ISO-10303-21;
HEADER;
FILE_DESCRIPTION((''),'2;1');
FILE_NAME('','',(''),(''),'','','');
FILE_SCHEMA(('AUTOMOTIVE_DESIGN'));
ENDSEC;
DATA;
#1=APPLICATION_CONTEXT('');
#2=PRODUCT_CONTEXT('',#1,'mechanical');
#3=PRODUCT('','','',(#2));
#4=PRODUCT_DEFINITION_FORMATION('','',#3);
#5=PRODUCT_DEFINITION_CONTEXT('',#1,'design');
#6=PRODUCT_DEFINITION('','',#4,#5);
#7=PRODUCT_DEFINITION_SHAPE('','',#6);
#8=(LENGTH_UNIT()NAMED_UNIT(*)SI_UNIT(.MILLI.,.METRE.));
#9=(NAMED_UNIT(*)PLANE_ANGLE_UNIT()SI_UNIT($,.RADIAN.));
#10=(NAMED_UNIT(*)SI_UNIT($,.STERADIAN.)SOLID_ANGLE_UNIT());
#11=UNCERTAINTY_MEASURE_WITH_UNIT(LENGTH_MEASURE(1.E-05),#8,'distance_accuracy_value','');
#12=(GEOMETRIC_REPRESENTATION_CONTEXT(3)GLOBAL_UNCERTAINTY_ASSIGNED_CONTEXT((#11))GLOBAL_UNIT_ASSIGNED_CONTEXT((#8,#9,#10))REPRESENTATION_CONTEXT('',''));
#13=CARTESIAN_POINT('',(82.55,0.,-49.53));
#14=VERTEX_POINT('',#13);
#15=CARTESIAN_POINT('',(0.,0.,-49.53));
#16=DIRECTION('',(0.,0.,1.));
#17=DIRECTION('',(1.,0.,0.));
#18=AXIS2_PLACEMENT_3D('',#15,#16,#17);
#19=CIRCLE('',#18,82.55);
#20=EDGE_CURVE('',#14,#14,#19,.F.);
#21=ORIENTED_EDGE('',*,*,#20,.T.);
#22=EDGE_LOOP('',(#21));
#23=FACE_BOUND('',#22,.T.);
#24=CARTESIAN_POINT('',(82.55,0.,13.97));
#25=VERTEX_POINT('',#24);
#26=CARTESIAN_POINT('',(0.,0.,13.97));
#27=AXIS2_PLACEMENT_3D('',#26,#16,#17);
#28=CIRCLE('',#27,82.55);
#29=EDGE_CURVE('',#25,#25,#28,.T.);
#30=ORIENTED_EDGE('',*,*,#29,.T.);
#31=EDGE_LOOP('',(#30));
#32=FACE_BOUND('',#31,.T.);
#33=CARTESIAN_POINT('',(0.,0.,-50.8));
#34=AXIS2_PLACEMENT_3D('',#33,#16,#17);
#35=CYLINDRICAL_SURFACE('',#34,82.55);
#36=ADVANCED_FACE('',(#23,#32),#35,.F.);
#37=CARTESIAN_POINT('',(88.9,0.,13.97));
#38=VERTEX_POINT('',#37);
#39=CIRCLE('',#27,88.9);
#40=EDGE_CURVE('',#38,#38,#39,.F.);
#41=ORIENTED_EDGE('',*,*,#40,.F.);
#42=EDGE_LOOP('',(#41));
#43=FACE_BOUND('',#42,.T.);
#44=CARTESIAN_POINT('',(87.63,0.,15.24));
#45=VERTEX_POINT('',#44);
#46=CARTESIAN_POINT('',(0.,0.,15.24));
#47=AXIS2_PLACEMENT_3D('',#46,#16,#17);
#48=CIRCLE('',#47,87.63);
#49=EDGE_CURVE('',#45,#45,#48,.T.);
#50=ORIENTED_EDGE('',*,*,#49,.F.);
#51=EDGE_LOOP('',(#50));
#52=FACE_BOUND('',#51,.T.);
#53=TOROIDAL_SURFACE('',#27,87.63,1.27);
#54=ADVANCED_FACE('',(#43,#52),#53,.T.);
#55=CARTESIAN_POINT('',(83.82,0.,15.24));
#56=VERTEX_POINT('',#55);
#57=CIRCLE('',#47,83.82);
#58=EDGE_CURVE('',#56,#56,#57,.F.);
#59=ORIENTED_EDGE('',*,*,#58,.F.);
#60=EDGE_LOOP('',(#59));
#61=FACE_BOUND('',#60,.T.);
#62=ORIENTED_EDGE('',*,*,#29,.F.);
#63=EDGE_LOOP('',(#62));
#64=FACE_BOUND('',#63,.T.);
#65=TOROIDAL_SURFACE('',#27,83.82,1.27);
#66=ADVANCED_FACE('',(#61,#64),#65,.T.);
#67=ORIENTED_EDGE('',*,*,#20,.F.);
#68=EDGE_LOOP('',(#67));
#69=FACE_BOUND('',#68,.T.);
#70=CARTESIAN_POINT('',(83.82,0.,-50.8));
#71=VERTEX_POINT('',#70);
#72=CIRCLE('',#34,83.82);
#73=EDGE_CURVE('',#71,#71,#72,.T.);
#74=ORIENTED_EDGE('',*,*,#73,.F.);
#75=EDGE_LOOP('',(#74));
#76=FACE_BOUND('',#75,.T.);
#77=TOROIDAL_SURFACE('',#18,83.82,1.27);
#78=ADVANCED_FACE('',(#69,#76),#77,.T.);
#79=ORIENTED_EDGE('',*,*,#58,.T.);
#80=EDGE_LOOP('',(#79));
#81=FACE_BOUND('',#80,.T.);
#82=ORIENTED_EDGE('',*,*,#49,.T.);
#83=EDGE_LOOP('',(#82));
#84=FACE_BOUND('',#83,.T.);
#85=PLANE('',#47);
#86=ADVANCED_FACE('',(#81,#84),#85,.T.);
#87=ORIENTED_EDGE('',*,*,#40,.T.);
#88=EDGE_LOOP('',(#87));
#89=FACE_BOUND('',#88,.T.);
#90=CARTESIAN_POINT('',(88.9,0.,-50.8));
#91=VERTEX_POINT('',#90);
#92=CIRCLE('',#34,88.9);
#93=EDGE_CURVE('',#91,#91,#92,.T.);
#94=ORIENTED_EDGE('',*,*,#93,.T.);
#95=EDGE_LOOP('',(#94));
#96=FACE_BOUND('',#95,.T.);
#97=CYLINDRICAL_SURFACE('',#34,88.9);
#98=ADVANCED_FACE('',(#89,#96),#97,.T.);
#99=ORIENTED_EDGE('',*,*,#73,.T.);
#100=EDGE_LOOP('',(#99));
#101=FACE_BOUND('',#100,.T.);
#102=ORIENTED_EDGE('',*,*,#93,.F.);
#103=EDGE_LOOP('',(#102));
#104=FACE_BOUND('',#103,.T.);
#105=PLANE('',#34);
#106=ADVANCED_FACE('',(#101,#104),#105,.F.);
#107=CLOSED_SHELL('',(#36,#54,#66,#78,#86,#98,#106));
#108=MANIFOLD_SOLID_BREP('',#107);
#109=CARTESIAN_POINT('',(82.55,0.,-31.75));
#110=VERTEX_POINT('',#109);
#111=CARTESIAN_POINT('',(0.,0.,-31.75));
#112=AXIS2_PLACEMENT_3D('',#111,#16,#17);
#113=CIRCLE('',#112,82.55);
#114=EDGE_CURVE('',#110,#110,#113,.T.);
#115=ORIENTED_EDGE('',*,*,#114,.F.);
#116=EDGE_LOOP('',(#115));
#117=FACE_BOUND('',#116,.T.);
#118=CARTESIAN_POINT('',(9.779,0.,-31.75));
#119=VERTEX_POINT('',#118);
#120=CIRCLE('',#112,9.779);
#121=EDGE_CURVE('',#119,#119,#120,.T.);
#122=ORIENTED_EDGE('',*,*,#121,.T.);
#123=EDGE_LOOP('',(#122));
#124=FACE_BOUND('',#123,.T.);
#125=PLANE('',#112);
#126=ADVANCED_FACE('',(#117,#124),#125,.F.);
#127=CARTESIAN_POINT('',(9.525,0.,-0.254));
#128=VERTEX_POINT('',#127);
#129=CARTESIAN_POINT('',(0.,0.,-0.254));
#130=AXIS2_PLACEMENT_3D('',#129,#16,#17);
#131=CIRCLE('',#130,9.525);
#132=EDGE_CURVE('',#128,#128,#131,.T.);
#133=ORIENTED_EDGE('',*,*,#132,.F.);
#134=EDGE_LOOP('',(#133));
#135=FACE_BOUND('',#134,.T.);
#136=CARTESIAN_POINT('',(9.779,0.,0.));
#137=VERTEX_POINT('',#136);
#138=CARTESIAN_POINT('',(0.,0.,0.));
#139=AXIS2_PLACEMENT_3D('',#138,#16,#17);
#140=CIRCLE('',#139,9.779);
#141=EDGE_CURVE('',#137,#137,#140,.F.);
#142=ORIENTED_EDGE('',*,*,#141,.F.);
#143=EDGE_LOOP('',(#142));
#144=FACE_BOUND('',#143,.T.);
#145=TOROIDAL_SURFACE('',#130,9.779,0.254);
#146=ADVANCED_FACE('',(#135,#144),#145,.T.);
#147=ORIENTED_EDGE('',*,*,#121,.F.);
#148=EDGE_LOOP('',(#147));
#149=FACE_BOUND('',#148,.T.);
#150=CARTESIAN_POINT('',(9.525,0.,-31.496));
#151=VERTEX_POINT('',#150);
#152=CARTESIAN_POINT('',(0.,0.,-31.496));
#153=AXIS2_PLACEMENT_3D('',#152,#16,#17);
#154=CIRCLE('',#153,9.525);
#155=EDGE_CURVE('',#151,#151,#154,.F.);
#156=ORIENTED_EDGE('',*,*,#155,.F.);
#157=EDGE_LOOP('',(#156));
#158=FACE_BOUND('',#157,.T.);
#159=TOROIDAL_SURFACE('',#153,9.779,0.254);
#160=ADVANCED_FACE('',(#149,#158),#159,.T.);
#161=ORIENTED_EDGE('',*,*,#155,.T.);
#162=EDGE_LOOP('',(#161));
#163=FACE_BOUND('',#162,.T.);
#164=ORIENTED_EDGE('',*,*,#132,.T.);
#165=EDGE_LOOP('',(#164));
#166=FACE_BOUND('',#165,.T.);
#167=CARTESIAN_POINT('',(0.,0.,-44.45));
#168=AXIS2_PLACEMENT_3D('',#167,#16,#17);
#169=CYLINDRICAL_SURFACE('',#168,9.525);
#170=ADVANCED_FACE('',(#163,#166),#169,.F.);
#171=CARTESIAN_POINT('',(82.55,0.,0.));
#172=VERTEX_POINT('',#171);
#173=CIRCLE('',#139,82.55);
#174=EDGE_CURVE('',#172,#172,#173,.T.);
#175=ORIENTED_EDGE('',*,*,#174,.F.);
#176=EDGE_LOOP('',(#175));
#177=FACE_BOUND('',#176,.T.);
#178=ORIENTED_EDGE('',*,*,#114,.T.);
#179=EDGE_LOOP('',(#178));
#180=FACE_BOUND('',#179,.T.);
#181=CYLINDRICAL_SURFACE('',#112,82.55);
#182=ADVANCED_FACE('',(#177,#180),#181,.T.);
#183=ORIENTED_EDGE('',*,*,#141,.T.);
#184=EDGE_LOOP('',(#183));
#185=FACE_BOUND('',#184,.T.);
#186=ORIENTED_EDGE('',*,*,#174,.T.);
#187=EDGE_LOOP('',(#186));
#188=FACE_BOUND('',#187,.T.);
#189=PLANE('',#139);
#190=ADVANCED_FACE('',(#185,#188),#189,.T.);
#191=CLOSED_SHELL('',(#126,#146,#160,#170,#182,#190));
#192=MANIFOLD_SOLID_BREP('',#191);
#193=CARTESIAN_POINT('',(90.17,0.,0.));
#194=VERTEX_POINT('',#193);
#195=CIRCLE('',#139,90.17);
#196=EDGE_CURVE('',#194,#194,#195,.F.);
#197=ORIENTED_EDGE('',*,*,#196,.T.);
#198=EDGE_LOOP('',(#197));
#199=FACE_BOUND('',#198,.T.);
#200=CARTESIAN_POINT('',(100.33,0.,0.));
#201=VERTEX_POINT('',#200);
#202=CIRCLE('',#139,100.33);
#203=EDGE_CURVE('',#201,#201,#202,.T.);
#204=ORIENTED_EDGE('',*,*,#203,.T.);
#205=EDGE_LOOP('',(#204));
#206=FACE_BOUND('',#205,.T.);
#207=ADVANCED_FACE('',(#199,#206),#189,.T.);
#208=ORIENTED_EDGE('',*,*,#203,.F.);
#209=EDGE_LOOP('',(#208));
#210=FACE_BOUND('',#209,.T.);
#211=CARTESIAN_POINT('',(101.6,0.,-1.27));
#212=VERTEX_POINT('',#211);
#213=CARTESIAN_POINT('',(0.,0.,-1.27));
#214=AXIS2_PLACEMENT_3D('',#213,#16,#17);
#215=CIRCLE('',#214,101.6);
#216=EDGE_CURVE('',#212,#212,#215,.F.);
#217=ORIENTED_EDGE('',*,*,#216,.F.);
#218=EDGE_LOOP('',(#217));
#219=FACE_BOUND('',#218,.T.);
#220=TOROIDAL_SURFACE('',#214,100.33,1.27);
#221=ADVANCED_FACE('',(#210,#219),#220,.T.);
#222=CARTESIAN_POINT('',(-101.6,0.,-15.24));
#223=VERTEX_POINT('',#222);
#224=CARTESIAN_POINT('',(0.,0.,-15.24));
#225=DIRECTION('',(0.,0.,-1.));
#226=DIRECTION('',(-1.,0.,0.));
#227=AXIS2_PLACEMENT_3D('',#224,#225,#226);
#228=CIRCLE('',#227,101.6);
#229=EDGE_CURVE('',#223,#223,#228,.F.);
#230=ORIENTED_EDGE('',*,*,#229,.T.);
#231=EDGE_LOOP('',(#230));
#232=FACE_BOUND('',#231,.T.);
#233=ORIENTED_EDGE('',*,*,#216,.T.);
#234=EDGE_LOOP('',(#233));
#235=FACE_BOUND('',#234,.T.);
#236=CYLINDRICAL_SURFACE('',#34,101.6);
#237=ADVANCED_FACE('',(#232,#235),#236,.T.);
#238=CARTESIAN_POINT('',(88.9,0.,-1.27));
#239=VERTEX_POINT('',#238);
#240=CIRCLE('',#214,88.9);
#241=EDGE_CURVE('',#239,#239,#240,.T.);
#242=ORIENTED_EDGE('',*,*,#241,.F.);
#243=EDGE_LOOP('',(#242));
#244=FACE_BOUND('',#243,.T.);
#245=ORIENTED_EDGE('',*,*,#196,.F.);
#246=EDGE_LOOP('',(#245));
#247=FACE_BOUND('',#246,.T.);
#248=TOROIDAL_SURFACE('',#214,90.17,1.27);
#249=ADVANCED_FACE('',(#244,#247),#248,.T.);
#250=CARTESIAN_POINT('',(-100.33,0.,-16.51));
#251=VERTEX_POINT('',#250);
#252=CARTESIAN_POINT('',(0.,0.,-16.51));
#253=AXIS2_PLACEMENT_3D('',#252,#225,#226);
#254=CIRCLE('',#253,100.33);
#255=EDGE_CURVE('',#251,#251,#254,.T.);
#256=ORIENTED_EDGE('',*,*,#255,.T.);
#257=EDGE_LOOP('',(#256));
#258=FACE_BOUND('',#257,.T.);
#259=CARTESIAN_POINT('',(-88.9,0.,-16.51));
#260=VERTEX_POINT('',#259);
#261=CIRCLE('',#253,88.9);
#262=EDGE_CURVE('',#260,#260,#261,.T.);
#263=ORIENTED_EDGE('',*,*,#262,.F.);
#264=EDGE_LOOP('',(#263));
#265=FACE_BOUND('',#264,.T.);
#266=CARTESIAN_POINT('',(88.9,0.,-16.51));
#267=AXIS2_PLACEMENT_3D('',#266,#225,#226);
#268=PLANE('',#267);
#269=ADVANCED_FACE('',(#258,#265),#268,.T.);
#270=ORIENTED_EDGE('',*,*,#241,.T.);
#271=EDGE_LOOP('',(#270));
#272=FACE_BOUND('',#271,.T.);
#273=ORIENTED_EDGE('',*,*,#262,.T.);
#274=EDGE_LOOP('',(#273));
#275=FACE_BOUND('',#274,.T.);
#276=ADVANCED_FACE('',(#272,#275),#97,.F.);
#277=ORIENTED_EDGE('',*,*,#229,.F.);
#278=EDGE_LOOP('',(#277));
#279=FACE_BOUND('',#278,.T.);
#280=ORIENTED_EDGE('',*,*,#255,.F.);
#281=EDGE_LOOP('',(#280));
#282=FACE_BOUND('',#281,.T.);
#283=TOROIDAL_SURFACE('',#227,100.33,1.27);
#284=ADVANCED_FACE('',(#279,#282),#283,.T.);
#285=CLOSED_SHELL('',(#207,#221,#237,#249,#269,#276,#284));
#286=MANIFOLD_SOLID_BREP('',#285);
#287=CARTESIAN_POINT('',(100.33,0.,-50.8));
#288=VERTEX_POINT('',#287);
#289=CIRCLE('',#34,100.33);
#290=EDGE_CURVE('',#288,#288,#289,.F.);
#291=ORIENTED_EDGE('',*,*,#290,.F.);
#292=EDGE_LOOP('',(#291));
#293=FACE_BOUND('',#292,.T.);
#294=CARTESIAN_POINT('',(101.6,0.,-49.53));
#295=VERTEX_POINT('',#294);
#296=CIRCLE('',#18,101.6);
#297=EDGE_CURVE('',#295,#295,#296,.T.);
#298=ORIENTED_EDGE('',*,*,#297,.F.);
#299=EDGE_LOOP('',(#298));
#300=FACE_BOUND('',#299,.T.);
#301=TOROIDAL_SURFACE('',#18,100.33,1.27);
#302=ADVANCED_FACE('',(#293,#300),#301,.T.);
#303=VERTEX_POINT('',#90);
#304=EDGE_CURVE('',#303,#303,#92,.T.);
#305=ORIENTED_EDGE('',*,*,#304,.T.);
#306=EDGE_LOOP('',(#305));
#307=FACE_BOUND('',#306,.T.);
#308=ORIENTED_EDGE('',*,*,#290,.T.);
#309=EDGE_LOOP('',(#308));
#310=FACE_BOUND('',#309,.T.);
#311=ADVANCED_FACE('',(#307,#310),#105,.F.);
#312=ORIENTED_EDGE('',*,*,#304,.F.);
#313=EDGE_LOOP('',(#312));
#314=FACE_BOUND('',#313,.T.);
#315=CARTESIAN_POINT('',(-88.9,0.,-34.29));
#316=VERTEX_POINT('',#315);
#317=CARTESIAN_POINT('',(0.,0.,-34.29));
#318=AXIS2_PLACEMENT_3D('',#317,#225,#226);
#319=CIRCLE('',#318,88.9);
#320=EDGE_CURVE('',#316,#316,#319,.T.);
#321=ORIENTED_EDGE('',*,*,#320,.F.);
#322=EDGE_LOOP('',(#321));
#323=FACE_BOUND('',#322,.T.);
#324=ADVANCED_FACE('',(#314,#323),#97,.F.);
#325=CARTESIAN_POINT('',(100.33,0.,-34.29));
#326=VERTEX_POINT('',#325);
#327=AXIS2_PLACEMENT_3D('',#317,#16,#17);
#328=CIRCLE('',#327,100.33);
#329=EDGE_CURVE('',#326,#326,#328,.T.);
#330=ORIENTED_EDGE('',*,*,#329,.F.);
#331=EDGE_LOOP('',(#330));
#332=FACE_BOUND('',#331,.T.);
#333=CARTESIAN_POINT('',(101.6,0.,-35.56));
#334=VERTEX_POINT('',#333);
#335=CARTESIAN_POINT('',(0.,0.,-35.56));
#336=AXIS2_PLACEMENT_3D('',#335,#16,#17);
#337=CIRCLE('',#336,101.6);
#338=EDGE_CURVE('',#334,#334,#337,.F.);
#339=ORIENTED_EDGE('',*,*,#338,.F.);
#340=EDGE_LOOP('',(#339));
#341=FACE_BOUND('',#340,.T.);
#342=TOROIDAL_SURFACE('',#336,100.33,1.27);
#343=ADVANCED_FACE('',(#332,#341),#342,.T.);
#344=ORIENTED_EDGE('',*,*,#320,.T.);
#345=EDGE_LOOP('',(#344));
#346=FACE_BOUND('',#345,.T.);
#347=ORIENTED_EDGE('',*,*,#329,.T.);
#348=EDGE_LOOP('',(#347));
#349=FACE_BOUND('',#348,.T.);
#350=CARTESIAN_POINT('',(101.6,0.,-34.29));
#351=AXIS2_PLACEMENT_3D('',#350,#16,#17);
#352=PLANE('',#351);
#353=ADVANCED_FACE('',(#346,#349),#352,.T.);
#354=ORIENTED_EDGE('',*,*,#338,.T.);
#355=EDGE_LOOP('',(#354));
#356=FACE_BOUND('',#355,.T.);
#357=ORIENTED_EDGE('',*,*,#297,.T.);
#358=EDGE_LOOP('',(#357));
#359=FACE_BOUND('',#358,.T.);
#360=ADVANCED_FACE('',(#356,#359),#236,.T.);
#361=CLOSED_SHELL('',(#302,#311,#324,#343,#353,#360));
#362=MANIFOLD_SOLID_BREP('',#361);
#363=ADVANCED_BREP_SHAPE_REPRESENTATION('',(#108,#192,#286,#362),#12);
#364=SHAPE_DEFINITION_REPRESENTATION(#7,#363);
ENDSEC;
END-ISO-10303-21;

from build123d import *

# Parameters (mm, degrees)
BOSS_EXTRUDE1_DEPTH      = 15.24
BOSS_EXTRUDE1_DEPTH_BACK = 50.8
SKETCH1_R                = 88.9
SKETCH1_R_2              = 82.55
SKETCH1_3_R              = 101.6
SKETCH1_3_R_2            = 88.9
BOSS_EXTRUDE2_DEPTH      = 50.8
SKETCH1_4_R              = 82.55
BOSS_EXTRUDE3_DEPTH      = 31.75
SKETCH4_W                = 12.7
SKETCH4_H                = 17.78
SKETCH5_R                = 9.525
CUT_EXTRUDE1_DEPTH       = 44.45
FILLET1_R                = 1.27
FILLET2_R                = 1.27
FILLET6_R                = 1.27
FILLET9_R                = 0.254


with BuildPart() as part:
    # Sketch1 → Boss-Extrude1 (new, two sides: drawn at the far end of the back side and taken through both)
    with BuildSketch(Plane.XY.offset(-BOSS_EXTRUDE1_DEPTH_BACK)):
        Circle(SKETCH1_R)
        Circle(SKETCH1_R_2, mode=Mode.SUBTRACT)
    extrude(amount=BOSS_EXTRUDE1_DEPTH + BOSS_EXTRUDE1_DEPTH_BACK)

    # Fillet2
    fillet2_edges = [part.edges().sort_by_distance(p)[0] for p in [
        (-82.55, 0, -50.8),
        (-82.55, 0, 15.24),
        (-88.9, 0, 15.24),
    ]]
    fillet(fillet2_edges, radius=FILLET2_R)


with BuildPart() as body_2:
    # Sketch1<3> → Boss-Extrude2 (new body)
    with BuildSketch(Plane.XY):
        Circle(SKETCH1_3_R)
        Circle(SKETCH1_3_R_2, mode=Mode.SUBTRACT)
    extrude(amount=-BOSS_EXTRUDE2_DEPTH)

    # Sketch4 → Cut-Revolve1 (revolve, cut)
    with BuildSketch(Plane(origin=(0, 0, 0), x_dir=(1, 0, 0), z_dir=(0, 1, 0))):
        with Locations((95.25, 25.4)):
            Rectangle(SKETCH4_W, SKETCH4_H)
    revolve(axis=Axis((0, 0, 0), (0, 0, 1)), mode=Mode.SUBTRACT)


with BuildPart() as body_3:
    # Sketch1<4> → Boss-Extrude3 (new body)
    with BuildSketch(Plane.XY):
        Circle(SKETCH1_4_R)
    extrude(amount=-BOSS_EXTRUDE3_DEPTH)

    # Sketch5 → Cut-Extrude1 (cut)
    with BuildSketch(Plane.XY):
        Circle(SKETCH5_R)
    extrude(amount=-CUT_EXTRUDE1_DEPTH, mode=Mode.SUBTRACT)

    # Fillet9
    fillet9_edges = [body_3.edges().sort_by_distance(p)[0] for p in [
        (-9.525, 0, -31.75),
        (-9.525, 0, 0),
    ]]
    fillet(fillet9_edges, radius=FILLET9_R)


with BuildPart() as cut_revolve1_piece_1:
    # of the separate pieces the step leaves, piece 1, a body of its own (cut_revolve1_pieces)
    add(body_2.part.solids().sort_by_distance((101.6, 0, 0))[0])

    # Fillet1
    fillet1_edges = [cut_revolve1_piece_1.edges().sort_by_distance(p)[0] for p in [
        (-88.9, 0, 0),
        (-101.6, 0, -16.51),
        (-101.6, 0, 0),
    ]]
    fillet(fillet1_edges, radius=FILLET1_R)


with BuildPart() as cut_revolve1_piece_2:
    # of the separate pieces the step leaves, piece 2, a body of its own (cut_revolve1_pieces)
    add(body_2.part.solids().sort_by_distance((101.6, 0, -34.29))[0])

    # Fillet6
    fillet6_edges = [cut_revolve1_piece_2.edges().sort_by_distance(p)[0] for p in [
        (-101.6, 0, -50.8),
        (-101.6, 0, -34.29),
    ]]
    fillet(fillet6_edges, radius=FILLET6_R)


solid = Compound([part.part, body_3.part, cut_revolve1_piece_1.part, cut_revolve1_piece_2.part])
